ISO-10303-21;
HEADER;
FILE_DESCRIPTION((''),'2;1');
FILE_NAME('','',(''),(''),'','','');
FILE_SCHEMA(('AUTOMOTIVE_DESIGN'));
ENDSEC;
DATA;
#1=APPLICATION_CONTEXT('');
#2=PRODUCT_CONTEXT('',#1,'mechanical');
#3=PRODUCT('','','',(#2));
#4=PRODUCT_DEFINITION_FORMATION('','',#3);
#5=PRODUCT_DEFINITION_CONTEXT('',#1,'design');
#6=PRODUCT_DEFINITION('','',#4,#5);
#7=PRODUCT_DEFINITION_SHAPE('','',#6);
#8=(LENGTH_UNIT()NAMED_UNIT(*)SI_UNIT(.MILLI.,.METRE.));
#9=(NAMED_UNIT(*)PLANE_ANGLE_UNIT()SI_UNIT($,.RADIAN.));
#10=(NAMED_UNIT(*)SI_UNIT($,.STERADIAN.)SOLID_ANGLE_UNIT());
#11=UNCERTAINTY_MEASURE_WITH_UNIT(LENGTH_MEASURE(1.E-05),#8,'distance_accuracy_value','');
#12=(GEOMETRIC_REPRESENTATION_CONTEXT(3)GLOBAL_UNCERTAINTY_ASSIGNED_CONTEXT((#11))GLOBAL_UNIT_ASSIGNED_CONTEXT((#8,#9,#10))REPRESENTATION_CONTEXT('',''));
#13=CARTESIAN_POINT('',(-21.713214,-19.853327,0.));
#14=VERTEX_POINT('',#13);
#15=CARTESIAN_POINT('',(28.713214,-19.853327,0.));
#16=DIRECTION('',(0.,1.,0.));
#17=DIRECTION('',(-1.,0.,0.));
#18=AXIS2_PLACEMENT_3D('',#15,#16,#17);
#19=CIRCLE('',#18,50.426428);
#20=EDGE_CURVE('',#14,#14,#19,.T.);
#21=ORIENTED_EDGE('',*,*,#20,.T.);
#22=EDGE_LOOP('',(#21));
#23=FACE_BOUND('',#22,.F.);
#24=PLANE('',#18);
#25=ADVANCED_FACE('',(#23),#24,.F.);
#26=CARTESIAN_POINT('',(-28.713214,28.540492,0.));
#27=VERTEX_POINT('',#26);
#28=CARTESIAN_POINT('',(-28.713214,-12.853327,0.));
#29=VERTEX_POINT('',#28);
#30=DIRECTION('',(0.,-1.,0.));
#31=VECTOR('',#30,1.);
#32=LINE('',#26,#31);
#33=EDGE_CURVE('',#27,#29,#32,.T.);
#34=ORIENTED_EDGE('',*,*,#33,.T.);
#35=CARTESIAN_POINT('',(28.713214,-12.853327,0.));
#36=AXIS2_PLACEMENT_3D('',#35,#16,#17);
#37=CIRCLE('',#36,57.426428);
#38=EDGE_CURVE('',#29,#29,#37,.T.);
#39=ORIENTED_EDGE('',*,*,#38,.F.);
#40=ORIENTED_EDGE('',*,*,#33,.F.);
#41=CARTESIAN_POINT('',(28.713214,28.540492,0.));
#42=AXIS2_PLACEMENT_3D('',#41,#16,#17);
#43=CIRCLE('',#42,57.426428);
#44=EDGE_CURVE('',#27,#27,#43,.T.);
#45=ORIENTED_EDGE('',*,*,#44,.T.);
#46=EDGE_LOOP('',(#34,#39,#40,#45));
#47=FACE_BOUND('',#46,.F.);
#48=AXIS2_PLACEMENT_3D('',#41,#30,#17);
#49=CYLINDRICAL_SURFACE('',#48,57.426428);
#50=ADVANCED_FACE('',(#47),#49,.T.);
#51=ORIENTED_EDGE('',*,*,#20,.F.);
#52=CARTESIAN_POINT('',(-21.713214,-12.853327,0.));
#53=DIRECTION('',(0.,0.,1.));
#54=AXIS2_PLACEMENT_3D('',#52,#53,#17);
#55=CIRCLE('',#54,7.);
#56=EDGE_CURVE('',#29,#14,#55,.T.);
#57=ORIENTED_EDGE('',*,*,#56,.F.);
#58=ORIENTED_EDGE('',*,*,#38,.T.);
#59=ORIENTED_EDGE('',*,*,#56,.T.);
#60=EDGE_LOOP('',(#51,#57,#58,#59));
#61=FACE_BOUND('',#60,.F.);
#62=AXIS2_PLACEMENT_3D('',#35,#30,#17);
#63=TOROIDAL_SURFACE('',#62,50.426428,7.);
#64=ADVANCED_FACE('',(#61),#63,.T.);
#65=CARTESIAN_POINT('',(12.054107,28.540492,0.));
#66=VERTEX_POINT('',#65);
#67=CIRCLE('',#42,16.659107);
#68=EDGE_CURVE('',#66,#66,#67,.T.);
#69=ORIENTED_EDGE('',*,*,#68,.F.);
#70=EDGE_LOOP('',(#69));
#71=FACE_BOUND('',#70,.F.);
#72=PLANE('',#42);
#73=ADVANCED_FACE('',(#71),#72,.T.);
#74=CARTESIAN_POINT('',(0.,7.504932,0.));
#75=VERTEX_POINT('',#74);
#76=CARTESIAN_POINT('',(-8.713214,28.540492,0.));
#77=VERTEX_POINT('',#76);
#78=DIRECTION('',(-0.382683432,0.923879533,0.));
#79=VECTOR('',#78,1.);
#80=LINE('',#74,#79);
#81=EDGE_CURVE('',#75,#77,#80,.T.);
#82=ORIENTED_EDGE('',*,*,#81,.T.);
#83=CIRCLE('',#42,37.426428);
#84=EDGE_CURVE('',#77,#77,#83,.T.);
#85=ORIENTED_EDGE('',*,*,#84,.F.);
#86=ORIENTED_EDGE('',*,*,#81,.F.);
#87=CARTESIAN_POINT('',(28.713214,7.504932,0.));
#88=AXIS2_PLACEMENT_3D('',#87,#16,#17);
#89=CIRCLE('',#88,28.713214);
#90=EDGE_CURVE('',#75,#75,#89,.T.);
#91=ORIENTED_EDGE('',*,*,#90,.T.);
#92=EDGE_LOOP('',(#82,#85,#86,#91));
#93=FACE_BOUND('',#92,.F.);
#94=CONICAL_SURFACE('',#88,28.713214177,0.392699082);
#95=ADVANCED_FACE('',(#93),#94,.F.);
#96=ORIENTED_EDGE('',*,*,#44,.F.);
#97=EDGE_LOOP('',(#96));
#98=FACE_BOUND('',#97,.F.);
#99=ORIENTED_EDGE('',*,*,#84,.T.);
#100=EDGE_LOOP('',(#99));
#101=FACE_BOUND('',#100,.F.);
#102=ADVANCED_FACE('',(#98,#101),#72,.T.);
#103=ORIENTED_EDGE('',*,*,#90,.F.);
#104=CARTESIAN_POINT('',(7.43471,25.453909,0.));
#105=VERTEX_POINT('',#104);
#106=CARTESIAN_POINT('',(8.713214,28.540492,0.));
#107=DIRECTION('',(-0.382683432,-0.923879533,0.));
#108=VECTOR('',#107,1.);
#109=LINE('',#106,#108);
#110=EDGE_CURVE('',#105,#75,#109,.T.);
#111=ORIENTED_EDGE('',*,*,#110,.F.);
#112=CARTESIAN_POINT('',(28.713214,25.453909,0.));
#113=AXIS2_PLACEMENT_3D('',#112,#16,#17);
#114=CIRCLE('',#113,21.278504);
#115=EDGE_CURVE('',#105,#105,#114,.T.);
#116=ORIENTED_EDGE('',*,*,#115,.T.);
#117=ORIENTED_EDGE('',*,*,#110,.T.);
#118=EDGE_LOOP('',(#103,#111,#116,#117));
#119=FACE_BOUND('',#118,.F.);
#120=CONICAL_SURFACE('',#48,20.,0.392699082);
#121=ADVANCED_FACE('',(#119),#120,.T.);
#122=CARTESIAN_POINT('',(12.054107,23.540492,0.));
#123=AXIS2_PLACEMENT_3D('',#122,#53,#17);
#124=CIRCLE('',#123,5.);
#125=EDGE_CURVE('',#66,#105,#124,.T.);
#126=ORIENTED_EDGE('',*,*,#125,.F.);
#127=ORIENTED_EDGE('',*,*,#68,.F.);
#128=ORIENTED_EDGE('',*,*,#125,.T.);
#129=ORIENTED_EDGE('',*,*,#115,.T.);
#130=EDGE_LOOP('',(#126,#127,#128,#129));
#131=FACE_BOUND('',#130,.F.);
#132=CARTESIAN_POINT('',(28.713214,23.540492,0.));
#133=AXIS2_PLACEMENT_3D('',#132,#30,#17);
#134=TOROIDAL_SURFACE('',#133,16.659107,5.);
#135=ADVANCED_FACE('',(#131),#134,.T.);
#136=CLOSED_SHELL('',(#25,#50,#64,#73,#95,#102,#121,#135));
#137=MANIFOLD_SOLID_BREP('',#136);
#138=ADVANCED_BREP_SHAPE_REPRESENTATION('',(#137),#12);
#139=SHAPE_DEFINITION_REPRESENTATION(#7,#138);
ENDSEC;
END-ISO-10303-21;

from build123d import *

# Parameters (mm, degrees)
F2_R = 5


with BuildPart() as f1:
    # F0 (on Top) → F1 (revolve)
    with BuildSketch(Plane.XY):
        with BuildLine():
            ThreePointArc((-28.7132141766, -12.8533274233), (-26.6629616449, -17.8030748916), (-21.7132141766, -19.8533274233))
            Line((-21.7132141766, -19.8533274233), (28.7132141766, -19.8533274233))
            Line((28.7132141766, -19.8533274233), (28.7132141766, 28.5404919536))
            Line((28.7132141766, 28.5404919536), (8.7132141766, 28.5404919536))
            Line((8.7132141766, 28.5404919536), (0, 7.5049321167))
            Line((0, 7.5049321167), (-8.7132141766, 28.5404919536))
            Line((-8.7132141766, 28.5404919536), (-28.7132141766, 28.5404919536))
            Line((-28.7132141766, 28.5404919536), (-28.7132141766, -12.8533274233))
        make_face()
    revolve(axis=Axis((28.7132141766, 4.3435822652, 0), (0, 1, 0)))

    # F2
    f2_edges = [f1.edges().sort_by_distance(p)[0] for p in [
        (48.713214, 28.540492, 0),
    ]]
    fillet(f2_edges, radius=F2_R)


solid = f1.part
